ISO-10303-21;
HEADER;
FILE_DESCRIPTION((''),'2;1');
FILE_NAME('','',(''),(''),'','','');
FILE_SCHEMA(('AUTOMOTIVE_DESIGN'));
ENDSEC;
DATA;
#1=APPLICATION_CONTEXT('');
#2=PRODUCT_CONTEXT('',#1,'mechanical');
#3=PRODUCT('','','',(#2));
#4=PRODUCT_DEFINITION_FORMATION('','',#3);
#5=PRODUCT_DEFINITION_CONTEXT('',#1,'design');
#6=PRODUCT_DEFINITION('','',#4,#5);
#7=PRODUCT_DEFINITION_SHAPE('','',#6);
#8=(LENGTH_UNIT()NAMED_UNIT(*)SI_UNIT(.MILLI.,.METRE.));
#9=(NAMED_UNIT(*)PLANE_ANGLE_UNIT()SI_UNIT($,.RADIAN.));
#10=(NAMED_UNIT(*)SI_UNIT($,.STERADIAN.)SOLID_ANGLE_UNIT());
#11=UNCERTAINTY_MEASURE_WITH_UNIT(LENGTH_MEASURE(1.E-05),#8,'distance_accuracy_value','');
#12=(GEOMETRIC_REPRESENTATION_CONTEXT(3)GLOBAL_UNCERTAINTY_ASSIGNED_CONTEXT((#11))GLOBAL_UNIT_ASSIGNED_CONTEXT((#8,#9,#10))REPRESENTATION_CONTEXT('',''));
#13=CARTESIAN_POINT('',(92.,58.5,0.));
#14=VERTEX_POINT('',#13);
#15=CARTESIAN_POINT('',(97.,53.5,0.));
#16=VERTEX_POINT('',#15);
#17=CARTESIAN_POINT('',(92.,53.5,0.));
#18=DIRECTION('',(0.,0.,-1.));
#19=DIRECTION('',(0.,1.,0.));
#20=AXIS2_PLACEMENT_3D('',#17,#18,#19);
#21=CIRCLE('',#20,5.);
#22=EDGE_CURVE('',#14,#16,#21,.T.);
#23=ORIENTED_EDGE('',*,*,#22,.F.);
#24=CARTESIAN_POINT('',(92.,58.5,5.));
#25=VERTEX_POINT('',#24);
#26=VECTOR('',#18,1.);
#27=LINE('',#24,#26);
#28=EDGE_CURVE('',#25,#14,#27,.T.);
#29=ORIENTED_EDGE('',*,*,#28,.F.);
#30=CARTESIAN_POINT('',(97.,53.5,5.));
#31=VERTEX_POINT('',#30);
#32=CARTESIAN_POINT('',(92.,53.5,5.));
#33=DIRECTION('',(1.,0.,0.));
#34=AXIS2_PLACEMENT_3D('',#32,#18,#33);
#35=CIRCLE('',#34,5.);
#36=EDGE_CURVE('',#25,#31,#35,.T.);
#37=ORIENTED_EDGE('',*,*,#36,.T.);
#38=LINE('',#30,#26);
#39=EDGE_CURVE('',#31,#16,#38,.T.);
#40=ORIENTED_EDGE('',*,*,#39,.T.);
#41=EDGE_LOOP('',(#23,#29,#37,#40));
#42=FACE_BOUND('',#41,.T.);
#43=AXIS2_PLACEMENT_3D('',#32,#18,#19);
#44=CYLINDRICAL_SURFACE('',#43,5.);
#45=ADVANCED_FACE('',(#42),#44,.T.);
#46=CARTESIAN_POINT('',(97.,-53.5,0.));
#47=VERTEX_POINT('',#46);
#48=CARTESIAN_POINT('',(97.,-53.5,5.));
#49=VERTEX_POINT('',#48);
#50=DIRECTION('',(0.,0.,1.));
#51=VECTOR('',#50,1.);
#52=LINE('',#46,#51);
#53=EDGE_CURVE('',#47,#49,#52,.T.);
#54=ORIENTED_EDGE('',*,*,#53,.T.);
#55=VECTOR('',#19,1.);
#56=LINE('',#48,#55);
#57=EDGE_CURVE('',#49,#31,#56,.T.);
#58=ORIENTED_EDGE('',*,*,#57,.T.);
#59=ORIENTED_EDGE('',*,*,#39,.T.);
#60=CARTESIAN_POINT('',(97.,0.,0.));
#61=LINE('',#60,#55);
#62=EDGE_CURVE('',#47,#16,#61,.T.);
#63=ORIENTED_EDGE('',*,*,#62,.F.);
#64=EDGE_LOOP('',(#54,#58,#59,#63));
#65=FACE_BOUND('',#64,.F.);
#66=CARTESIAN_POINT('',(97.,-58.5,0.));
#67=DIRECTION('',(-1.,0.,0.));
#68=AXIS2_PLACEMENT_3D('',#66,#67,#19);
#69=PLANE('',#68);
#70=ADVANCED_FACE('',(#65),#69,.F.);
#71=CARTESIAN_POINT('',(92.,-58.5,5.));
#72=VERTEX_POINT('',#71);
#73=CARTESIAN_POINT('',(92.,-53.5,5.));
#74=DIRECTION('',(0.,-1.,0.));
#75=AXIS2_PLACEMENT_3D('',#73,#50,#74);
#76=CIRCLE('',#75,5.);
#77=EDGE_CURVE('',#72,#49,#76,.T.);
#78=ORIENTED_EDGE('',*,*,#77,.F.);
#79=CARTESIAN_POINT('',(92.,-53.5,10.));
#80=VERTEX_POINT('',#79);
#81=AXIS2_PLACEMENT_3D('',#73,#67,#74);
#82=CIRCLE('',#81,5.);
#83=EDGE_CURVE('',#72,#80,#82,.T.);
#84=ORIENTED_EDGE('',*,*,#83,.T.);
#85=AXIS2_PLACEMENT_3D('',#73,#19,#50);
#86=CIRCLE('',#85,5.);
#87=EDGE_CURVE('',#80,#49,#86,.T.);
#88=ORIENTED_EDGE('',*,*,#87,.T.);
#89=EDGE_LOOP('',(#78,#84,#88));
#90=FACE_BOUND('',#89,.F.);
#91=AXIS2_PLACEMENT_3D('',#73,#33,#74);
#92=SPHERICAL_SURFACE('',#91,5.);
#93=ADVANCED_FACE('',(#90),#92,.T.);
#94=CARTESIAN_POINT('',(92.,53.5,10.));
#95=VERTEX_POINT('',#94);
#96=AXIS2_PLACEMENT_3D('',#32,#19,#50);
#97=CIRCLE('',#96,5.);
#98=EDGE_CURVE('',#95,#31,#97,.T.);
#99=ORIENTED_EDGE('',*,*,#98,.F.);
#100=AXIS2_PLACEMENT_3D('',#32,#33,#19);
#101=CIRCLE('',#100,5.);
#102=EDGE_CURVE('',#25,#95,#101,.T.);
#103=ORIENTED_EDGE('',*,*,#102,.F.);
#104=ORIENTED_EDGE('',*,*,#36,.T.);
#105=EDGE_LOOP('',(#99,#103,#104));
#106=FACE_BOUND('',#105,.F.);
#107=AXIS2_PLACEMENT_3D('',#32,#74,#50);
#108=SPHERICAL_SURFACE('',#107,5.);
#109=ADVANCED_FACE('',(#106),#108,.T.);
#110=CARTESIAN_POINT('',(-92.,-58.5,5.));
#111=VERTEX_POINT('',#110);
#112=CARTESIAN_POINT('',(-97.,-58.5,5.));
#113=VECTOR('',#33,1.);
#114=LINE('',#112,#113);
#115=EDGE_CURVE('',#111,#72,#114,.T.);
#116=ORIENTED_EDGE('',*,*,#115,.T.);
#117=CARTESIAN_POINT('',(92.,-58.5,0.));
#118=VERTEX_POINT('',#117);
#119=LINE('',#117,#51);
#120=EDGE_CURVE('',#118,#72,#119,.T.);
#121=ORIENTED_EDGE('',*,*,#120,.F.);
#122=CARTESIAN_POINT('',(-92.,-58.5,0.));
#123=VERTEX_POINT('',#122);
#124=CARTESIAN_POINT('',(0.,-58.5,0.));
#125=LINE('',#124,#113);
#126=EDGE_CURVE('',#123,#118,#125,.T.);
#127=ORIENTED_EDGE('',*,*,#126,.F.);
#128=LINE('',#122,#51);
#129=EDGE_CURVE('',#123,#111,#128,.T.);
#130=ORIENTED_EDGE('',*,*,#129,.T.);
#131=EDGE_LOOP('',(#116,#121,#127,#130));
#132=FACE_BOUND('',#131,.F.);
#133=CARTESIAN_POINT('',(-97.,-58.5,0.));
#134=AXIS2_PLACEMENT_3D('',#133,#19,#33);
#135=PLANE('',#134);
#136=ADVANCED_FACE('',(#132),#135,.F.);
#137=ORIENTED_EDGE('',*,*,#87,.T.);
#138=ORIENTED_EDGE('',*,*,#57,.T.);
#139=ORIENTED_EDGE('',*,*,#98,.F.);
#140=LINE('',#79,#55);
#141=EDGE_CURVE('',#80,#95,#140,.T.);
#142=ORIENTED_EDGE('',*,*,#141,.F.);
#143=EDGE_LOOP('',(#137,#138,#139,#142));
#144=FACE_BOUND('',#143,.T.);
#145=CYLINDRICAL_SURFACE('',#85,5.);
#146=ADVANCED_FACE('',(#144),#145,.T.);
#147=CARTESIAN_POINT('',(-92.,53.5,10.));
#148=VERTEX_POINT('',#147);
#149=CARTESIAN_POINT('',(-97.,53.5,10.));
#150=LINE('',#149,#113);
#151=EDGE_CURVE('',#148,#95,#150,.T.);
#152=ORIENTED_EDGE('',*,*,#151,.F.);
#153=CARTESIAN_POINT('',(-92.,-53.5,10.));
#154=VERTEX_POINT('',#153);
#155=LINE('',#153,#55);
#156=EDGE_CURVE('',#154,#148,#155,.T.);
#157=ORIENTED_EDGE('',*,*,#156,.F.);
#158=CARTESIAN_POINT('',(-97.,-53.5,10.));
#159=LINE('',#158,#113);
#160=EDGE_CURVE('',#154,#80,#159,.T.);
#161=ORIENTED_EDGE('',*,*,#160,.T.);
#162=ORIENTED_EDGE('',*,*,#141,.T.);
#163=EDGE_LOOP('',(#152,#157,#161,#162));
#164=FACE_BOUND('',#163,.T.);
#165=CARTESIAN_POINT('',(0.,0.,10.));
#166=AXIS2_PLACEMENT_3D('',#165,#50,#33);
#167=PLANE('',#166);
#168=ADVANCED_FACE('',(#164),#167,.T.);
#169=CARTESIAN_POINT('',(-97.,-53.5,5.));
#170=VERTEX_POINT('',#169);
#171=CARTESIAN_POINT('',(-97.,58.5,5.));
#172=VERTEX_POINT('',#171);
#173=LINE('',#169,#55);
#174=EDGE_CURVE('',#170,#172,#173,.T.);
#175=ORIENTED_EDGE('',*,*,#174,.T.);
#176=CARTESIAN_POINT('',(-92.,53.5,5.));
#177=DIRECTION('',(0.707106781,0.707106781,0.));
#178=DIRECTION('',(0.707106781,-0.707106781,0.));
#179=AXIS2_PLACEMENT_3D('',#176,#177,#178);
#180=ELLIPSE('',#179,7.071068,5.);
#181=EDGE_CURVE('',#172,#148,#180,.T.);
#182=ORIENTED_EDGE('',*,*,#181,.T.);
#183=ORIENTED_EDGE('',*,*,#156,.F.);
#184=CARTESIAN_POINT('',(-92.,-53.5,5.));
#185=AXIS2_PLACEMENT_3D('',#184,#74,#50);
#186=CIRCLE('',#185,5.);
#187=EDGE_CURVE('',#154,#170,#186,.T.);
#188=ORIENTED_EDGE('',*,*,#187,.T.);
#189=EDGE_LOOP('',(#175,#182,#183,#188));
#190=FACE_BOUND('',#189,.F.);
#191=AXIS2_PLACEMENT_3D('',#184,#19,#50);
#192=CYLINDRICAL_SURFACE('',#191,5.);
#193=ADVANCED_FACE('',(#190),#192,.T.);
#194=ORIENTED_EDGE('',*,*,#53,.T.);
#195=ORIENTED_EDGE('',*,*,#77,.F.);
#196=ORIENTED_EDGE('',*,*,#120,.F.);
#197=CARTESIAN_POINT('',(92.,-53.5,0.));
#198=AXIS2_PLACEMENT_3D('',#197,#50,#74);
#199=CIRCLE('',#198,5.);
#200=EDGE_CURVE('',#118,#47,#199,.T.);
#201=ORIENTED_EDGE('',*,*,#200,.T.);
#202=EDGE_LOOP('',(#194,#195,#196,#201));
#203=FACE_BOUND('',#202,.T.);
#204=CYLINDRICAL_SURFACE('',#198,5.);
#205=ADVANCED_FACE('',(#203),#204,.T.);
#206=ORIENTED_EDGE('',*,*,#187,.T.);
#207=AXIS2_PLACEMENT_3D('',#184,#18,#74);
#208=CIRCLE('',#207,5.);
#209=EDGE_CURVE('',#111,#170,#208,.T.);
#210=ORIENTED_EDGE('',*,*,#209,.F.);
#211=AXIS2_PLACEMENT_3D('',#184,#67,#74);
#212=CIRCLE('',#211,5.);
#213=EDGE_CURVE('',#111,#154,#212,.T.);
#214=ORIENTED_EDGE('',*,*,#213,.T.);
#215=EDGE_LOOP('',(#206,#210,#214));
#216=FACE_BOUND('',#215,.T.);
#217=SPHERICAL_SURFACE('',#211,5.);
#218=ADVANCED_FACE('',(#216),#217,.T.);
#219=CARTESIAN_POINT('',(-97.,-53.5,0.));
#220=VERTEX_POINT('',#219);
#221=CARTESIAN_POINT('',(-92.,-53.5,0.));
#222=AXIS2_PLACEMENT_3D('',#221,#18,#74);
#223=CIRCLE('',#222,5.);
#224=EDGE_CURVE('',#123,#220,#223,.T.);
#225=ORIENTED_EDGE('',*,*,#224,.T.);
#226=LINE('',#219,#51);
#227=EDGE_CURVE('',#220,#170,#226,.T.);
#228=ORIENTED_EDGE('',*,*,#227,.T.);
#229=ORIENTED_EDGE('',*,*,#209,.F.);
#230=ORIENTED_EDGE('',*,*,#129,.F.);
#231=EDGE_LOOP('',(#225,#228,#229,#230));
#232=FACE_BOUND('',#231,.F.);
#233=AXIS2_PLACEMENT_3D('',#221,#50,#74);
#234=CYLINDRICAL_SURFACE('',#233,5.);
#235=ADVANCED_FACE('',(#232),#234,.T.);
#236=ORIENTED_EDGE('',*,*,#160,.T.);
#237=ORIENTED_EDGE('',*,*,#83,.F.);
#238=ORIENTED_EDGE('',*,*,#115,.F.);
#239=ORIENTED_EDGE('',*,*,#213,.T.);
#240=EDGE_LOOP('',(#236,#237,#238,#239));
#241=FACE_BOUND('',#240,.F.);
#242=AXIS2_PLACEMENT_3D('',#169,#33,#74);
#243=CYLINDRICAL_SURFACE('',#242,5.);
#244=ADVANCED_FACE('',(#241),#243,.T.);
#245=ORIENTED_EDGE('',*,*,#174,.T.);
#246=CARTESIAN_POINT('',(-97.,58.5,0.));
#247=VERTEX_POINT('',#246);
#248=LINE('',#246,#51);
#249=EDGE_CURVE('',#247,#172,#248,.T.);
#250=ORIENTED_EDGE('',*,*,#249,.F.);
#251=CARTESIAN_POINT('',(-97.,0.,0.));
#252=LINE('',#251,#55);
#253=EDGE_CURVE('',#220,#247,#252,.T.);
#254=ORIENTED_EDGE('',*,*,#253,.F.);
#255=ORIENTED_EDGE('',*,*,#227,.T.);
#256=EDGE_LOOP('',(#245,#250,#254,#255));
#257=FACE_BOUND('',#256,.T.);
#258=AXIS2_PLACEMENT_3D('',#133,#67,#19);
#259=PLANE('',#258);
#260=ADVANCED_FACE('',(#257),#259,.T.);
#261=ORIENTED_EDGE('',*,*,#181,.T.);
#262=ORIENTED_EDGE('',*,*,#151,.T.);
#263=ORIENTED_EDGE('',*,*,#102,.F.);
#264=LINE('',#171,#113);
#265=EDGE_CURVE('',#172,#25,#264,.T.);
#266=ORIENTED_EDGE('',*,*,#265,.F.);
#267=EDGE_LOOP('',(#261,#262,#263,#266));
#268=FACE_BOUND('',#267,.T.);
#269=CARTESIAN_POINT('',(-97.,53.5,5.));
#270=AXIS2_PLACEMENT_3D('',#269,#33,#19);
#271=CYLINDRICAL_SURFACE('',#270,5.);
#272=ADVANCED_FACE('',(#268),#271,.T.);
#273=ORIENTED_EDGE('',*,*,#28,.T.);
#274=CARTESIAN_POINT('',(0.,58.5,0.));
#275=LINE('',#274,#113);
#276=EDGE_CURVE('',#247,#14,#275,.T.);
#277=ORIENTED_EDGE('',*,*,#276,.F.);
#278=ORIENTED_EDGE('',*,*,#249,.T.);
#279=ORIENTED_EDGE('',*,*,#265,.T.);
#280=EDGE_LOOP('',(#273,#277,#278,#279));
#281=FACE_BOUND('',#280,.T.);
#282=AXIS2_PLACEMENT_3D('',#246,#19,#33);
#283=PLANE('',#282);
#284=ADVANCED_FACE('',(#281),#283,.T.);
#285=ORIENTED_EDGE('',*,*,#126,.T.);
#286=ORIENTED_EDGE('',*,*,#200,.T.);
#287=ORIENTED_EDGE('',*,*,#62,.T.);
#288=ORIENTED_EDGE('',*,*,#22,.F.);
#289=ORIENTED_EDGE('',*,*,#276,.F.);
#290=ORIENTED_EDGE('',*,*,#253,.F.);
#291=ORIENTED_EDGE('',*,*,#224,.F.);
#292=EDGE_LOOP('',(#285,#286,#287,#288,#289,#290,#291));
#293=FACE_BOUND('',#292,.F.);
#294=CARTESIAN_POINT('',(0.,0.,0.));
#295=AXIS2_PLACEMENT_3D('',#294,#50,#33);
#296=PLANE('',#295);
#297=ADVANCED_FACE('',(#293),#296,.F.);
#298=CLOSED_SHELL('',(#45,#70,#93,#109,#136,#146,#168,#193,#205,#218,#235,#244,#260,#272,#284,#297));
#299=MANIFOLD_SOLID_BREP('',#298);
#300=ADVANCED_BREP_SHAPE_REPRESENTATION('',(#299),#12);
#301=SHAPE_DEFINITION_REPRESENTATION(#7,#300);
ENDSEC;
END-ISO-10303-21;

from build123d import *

# Parameters (mm, degrees)
F0_W     = 194
F0_H     = 117
F1_DEPTH = 10
F2_R     = 5
F3_R     = 5
F4_R     = 5


with BuildPart() as f1:
    # F0 (on Top) → F1 (new body)
    with BuildSketch(Plane.XY):
        Rectangle(F0_W, F0_H)
    extrude(amount=F1_DEPTH)

    # F2
    f2_edges = [f1.edges().sort_by_distance(p)[0] for p in [
        (0, -58.5, 10),
    ]]
    fillet(f2_edges, radius=F2_R)

    # F3
    f3_edges = [f1.edges().sort_by_distance(p)[0] for p in [
        (0, -58.5, 5),
        (97, -57.035534, 8.535534),
    ]]
    fillet(f3_edges, radius=F3_R)

    # F4
    f4_edges = [f1.edges().sort_by_distance(p)[0] for p in [
        (97, 2.5, 5),
        (95.535534, 58.5, 8.535534),
        (-97, -57.035534, 8.535534),
    ]]
    fillet(f4_edges, radius=F4_R)


solid = f1.part
